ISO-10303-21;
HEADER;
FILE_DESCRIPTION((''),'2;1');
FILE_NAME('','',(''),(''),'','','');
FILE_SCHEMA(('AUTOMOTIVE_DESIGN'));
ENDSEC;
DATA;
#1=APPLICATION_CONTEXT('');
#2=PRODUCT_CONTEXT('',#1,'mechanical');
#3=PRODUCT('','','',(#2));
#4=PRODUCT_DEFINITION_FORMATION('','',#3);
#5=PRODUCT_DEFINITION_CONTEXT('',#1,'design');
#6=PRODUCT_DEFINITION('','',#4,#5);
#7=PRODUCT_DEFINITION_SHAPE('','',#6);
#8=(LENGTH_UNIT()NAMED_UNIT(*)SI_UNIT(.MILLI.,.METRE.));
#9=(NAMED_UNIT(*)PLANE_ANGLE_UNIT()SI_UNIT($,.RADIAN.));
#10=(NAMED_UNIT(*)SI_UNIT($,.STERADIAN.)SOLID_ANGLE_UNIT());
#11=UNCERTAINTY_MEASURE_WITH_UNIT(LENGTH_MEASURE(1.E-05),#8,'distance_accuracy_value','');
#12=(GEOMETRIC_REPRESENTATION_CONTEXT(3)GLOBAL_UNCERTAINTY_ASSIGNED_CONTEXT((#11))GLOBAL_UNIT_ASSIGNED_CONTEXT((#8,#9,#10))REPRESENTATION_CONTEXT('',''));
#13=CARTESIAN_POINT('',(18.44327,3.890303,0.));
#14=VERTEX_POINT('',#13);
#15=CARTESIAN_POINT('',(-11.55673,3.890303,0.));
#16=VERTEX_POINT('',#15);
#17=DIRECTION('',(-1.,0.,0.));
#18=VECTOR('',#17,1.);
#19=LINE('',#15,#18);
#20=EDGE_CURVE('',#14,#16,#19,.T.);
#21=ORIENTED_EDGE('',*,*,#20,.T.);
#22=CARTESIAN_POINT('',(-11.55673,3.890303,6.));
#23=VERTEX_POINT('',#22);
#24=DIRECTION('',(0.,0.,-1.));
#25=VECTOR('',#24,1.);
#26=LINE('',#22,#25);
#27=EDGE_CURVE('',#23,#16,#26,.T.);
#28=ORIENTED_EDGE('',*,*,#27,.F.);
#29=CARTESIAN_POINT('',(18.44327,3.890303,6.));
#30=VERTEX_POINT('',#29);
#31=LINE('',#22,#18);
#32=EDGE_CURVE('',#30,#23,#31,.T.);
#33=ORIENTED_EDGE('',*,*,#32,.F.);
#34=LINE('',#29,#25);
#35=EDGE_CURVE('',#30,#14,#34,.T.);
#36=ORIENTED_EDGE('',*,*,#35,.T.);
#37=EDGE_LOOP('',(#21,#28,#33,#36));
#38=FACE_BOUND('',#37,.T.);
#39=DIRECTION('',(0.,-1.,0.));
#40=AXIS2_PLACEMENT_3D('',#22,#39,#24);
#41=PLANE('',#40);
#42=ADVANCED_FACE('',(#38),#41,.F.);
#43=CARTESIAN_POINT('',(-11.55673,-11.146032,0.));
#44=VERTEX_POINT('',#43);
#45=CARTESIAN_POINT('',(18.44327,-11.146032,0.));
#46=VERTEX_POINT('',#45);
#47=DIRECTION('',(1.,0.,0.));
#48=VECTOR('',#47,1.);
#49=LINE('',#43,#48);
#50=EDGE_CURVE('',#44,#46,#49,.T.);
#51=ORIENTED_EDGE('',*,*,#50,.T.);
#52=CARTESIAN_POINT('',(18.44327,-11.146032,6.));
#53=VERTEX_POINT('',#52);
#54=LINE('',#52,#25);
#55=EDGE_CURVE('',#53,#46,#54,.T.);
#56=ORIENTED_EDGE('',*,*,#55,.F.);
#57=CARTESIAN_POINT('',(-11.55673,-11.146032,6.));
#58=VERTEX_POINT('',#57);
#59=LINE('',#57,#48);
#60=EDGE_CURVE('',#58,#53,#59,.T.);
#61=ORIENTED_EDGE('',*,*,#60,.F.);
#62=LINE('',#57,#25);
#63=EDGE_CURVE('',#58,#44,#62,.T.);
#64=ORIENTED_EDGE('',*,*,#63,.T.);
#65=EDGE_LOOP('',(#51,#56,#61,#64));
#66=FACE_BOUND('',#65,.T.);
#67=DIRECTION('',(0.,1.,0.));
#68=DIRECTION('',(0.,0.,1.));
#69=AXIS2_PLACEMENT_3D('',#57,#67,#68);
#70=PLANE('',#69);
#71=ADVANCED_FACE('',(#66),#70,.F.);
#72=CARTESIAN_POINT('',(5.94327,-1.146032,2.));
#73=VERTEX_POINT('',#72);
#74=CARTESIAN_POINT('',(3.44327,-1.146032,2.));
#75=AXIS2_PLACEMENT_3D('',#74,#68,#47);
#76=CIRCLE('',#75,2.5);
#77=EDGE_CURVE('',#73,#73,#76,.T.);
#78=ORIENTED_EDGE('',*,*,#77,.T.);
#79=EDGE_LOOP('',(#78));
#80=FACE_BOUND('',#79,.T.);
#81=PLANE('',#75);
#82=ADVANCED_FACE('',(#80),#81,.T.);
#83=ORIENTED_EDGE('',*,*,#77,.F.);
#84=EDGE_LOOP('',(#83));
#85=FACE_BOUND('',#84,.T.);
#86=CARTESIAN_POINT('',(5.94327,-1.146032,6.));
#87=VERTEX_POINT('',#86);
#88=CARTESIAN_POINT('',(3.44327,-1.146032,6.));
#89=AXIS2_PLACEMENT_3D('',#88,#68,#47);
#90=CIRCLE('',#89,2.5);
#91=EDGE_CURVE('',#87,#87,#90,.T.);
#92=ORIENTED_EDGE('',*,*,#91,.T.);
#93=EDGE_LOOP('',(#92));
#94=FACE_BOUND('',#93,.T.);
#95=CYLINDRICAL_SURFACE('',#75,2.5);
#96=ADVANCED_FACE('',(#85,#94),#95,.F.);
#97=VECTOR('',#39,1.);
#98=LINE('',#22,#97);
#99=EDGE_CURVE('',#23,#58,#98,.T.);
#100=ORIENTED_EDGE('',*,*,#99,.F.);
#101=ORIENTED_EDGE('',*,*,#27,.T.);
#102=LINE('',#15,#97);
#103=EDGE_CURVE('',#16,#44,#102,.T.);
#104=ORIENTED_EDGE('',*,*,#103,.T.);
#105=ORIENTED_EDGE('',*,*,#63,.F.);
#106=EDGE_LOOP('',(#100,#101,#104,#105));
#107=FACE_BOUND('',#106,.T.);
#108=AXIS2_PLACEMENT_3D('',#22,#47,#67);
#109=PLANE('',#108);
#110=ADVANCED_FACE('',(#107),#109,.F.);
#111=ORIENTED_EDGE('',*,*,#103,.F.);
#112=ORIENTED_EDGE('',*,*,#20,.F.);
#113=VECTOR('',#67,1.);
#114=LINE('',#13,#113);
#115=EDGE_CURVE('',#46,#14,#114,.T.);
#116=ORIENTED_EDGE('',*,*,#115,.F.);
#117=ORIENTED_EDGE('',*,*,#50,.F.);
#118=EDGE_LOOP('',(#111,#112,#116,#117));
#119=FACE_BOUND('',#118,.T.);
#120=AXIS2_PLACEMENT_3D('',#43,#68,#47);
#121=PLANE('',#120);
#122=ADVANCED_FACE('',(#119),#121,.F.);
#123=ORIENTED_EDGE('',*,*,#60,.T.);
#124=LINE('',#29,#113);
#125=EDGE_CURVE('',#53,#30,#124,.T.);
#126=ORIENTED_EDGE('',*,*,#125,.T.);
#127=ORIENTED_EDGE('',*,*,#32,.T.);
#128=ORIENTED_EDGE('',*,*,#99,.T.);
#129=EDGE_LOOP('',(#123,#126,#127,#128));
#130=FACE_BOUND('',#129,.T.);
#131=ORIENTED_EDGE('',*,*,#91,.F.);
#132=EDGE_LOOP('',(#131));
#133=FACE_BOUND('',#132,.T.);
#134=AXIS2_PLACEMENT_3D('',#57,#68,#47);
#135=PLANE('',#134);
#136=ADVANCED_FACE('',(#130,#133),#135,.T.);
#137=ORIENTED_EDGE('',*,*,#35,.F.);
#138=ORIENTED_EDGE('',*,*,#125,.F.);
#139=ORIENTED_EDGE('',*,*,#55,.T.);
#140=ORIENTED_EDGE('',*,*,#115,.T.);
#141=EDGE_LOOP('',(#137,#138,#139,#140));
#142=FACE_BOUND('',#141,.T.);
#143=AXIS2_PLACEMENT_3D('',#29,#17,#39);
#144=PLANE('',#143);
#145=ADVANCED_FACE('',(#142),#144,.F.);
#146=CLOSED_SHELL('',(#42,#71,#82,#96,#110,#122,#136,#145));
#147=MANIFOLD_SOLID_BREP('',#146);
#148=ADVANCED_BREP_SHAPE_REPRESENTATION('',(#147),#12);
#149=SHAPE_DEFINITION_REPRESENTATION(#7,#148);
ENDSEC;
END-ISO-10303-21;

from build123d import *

# Parameters (mm, degrees)
SKETCH_1_W          = 30
SKETCH_1_H          = 15.036334349
EXTRUDE_1_DEPTH     = 6
SKETCH_2_R          = 2.5
CUT_EXTRUDE_2_DEPTH = 4


with BuildPart() as part:
    # Эскиз1 → Вытянуть1 (new body)
    with BuildSketch(Plane.XY):
        with Locations((3.443270242, -3.627864348)):
            Rectangle(SKETCH_1_W, SKETCH_1_H)
    extrude(amount=EXTRUDE_1_DEPTH)

    # Эскиз2 → Вытянуть2 (cut)
    with BuildSketch(Plane.XY.offset(6)):
        with Locations((3.443270242, -1.14603177)):
            Circle(SKETCH_2_R)
    extrude(amount=-CUT_EXTRUDE_2_DEPTH, mode=Mode.SUBTRACT)


solid = part.part
